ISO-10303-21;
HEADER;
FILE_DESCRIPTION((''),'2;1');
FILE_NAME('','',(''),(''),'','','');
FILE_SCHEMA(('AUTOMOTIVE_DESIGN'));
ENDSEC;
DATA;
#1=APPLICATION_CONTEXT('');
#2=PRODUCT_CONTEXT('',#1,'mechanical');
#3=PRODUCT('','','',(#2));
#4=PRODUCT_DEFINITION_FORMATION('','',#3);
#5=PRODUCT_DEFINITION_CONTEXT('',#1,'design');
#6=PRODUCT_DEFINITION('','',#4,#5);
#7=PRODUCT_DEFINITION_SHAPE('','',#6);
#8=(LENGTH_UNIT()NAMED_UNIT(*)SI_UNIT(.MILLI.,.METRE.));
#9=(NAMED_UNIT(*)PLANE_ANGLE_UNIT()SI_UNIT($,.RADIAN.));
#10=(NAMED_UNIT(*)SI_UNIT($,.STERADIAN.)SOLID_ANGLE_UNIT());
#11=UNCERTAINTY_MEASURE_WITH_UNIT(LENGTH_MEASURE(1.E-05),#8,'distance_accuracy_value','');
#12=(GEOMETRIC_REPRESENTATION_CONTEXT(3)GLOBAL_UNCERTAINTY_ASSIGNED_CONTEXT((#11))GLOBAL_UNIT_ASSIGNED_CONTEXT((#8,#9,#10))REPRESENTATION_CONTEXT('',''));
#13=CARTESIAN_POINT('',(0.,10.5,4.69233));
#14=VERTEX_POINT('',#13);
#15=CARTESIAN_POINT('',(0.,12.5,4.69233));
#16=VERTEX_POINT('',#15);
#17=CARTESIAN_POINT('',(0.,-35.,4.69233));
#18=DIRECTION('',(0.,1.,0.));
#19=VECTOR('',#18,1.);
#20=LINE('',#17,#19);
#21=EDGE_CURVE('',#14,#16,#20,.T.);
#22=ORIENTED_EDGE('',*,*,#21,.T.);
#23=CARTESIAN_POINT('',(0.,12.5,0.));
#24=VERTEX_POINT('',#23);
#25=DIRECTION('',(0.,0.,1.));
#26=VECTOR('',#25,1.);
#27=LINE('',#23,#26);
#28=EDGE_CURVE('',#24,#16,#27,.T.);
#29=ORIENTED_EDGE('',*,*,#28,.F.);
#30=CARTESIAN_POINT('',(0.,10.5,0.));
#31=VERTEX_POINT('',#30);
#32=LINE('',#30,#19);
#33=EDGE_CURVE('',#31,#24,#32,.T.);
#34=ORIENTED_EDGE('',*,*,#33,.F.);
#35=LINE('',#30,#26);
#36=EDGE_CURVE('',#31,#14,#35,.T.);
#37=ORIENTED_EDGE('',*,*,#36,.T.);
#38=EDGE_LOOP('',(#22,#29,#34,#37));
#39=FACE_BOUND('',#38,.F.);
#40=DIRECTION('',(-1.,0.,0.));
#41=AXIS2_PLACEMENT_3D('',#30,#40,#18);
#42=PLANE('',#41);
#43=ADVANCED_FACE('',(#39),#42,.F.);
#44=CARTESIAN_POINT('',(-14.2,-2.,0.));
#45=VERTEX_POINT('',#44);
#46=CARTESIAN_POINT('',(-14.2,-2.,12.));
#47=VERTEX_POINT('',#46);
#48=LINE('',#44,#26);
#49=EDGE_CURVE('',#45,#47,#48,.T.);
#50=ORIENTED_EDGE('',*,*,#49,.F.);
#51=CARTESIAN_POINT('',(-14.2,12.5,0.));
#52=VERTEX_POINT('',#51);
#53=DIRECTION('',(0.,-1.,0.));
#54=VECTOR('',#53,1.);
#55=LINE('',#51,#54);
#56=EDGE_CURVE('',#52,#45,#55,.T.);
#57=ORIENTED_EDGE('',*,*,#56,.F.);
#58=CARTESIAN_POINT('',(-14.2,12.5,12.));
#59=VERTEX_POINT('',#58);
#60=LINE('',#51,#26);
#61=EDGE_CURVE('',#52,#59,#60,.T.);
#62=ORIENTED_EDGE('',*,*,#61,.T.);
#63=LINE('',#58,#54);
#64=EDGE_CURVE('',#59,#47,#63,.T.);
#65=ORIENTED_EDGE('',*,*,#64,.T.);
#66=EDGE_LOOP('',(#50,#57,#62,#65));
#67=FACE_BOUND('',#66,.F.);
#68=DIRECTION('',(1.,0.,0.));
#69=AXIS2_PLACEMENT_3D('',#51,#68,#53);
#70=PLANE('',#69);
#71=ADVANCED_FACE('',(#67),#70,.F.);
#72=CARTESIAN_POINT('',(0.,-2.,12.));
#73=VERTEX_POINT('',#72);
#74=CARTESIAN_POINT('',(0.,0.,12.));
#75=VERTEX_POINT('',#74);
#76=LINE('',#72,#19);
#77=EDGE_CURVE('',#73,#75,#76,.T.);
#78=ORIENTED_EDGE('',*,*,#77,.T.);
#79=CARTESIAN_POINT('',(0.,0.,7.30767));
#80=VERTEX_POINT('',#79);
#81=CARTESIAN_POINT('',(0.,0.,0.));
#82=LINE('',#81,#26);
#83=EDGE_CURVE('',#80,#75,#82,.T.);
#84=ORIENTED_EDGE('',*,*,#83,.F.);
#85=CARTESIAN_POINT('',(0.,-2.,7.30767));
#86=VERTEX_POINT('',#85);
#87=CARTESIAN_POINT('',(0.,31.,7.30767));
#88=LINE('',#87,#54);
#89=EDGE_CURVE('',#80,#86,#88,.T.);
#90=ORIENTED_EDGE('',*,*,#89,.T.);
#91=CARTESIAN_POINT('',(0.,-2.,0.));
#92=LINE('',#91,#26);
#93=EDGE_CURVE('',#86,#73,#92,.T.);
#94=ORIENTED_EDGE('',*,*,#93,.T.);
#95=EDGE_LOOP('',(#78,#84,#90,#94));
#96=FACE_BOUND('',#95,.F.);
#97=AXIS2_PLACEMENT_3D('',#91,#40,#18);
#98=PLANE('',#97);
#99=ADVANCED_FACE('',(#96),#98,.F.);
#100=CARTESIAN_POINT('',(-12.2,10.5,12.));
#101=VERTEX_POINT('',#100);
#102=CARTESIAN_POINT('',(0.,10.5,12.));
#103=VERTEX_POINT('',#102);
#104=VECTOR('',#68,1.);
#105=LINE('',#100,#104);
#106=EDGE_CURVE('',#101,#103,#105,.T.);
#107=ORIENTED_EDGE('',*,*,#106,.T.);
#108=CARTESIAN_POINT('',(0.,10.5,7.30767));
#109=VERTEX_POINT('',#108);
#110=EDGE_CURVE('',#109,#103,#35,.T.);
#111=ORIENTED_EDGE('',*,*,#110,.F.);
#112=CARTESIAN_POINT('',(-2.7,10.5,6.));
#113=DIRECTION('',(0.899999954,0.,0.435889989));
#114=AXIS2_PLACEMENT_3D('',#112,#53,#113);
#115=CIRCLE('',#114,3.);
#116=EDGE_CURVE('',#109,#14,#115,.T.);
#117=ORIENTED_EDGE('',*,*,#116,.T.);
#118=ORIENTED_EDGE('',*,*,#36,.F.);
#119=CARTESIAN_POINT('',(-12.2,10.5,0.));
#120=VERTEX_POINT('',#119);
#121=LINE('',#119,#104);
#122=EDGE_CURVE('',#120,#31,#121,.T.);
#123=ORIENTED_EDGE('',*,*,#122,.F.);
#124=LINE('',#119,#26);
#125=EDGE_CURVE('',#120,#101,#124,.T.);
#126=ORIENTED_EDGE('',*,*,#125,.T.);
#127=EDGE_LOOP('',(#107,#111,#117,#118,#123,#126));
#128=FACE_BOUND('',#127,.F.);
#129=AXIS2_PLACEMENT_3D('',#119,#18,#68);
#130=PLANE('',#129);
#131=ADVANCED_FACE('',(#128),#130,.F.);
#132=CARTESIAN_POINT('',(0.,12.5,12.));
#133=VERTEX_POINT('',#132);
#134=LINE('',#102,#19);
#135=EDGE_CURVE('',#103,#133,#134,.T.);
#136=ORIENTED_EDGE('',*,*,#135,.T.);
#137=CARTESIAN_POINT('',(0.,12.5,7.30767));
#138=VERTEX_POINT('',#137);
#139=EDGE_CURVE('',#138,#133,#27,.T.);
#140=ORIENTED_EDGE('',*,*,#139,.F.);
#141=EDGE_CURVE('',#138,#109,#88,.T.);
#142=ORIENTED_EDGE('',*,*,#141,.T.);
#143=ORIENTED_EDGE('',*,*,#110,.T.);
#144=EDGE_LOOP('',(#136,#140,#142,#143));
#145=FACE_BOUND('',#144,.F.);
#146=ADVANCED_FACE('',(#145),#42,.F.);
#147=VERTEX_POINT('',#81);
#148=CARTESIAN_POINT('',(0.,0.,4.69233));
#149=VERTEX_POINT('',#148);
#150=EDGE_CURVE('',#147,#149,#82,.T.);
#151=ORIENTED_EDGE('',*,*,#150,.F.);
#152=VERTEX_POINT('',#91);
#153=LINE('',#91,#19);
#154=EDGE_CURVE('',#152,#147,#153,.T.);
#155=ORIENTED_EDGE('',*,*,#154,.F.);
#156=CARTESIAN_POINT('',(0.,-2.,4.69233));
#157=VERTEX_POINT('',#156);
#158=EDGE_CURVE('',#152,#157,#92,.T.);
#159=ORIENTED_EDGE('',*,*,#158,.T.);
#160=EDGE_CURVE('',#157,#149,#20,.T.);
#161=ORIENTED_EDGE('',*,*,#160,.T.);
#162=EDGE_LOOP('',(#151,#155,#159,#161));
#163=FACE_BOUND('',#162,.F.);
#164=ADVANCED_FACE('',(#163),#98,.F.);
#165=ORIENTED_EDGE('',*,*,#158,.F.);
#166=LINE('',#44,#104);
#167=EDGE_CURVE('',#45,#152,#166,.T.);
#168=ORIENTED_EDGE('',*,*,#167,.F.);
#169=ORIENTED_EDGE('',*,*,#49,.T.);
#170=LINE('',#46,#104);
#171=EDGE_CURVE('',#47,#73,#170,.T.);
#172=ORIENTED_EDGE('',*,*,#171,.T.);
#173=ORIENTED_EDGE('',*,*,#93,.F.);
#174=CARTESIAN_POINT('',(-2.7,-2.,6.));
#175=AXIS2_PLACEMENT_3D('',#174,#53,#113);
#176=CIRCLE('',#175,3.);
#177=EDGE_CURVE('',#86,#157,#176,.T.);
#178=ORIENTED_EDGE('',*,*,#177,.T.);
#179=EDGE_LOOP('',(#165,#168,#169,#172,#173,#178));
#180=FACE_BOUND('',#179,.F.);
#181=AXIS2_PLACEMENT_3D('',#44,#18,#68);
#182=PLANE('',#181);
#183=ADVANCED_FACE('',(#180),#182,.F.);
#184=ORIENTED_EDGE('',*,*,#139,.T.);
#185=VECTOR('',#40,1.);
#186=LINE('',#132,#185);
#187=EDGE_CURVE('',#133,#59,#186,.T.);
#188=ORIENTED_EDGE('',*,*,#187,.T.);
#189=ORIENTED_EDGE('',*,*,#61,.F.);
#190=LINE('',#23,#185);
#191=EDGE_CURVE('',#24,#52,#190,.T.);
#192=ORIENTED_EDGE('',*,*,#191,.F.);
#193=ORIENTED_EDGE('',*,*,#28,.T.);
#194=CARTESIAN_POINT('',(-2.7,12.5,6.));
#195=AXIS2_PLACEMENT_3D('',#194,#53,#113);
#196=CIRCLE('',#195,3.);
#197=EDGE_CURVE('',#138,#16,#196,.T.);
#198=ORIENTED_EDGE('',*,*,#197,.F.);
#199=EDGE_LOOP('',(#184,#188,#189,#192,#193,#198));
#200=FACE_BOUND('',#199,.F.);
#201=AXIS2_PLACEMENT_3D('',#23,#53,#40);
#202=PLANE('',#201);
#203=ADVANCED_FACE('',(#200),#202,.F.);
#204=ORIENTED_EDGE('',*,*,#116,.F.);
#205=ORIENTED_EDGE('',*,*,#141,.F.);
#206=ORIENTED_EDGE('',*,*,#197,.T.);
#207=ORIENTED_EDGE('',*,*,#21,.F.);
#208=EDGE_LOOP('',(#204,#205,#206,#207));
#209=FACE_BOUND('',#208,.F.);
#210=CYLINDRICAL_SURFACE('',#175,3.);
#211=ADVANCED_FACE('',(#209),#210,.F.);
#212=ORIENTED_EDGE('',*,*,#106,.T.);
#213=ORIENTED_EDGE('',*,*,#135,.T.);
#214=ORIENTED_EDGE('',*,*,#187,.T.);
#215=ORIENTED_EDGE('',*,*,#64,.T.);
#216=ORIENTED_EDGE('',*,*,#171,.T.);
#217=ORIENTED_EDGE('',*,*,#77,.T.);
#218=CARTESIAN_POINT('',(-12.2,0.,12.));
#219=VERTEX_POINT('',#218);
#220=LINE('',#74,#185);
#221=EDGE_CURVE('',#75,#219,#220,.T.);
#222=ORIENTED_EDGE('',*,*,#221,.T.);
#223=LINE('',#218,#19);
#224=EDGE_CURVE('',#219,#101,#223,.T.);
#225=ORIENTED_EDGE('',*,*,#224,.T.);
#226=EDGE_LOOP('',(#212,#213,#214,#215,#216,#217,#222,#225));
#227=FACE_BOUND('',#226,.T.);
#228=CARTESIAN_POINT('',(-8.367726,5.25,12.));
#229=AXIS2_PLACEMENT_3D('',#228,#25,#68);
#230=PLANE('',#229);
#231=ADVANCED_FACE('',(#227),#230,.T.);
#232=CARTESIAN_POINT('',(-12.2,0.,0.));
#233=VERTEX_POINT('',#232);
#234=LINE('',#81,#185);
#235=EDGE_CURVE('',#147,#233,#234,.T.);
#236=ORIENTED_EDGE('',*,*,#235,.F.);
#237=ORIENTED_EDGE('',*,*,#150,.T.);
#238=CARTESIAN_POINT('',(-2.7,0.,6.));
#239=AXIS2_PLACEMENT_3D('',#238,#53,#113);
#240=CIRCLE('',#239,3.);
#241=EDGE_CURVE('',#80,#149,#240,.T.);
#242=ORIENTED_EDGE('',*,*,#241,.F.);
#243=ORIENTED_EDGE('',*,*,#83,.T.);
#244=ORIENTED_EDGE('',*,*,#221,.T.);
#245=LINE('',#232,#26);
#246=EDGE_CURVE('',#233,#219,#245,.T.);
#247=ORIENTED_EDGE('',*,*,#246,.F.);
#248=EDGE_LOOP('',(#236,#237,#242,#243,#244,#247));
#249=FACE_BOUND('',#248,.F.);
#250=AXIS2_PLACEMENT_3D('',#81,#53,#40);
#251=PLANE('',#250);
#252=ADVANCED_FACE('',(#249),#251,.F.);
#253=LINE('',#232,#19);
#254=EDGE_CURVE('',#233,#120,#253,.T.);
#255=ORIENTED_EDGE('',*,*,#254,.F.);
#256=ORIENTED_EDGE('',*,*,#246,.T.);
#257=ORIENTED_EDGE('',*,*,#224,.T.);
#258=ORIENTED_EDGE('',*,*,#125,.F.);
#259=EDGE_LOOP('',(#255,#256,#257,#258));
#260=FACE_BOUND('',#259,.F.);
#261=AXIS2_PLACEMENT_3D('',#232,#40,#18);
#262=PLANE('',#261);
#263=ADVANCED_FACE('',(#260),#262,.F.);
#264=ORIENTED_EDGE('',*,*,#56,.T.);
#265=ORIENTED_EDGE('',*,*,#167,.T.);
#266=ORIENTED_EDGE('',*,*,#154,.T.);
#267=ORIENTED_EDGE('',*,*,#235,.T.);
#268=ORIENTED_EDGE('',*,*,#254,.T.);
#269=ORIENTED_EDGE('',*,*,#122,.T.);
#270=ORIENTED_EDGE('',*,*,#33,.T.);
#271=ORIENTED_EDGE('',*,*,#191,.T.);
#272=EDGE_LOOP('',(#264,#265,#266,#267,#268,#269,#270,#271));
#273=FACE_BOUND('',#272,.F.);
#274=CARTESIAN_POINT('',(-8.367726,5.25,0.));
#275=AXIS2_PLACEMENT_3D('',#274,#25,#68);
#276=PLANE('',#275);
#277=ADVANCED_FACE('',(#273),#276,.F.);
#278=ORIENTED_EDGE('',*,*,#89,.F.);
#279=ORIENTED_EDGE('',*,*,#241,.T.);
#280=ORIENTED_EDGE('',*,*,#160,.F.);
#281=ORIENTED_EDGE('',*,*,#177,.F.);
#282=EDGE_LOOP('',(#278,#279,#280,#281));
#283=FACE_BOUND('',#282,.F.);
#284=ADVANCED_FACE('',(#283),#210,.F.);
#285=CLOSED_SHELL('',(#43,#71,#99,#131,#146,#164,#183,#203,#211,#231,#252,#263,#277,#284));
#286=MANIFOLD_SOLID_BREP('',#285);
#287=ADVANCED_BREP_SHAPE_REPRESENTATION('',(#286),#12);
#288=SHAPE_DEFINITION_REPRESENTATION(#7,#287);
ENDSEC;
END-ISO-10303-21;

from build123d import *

# Parameters (mm, degrees)
F1_DEPTH = 12
F3_DEPTH = 33


with BuildPart() as f1:
    # F0 (on Top) → F1 (new body)
    with BuildSketch(Plane.XY):
        Polygon((0, -2), (0, 0), (-12.2, 0), (-12.2, 10.5), (0, 10.5), (0, 12.5), (-14.2, 12.5), (-14.2, -2), align=None)
    extrude(amount=F1_DEPTH)

    # F2 (on face) → F3 (cut, symmetric)
    with BuildSketch(Plane.XZ.offset(2)):
        with BuildLine():
            Line((0, 4.69233), (0, 7.30767))
            ThreePointArc((0, 7.30767), (-5.7, 6), (0, 4.69233))
        make_face()
    extrude(amount=F3_DEPTH, both=True, mode=Mode.SUBTRACT)


solid = f1.part
